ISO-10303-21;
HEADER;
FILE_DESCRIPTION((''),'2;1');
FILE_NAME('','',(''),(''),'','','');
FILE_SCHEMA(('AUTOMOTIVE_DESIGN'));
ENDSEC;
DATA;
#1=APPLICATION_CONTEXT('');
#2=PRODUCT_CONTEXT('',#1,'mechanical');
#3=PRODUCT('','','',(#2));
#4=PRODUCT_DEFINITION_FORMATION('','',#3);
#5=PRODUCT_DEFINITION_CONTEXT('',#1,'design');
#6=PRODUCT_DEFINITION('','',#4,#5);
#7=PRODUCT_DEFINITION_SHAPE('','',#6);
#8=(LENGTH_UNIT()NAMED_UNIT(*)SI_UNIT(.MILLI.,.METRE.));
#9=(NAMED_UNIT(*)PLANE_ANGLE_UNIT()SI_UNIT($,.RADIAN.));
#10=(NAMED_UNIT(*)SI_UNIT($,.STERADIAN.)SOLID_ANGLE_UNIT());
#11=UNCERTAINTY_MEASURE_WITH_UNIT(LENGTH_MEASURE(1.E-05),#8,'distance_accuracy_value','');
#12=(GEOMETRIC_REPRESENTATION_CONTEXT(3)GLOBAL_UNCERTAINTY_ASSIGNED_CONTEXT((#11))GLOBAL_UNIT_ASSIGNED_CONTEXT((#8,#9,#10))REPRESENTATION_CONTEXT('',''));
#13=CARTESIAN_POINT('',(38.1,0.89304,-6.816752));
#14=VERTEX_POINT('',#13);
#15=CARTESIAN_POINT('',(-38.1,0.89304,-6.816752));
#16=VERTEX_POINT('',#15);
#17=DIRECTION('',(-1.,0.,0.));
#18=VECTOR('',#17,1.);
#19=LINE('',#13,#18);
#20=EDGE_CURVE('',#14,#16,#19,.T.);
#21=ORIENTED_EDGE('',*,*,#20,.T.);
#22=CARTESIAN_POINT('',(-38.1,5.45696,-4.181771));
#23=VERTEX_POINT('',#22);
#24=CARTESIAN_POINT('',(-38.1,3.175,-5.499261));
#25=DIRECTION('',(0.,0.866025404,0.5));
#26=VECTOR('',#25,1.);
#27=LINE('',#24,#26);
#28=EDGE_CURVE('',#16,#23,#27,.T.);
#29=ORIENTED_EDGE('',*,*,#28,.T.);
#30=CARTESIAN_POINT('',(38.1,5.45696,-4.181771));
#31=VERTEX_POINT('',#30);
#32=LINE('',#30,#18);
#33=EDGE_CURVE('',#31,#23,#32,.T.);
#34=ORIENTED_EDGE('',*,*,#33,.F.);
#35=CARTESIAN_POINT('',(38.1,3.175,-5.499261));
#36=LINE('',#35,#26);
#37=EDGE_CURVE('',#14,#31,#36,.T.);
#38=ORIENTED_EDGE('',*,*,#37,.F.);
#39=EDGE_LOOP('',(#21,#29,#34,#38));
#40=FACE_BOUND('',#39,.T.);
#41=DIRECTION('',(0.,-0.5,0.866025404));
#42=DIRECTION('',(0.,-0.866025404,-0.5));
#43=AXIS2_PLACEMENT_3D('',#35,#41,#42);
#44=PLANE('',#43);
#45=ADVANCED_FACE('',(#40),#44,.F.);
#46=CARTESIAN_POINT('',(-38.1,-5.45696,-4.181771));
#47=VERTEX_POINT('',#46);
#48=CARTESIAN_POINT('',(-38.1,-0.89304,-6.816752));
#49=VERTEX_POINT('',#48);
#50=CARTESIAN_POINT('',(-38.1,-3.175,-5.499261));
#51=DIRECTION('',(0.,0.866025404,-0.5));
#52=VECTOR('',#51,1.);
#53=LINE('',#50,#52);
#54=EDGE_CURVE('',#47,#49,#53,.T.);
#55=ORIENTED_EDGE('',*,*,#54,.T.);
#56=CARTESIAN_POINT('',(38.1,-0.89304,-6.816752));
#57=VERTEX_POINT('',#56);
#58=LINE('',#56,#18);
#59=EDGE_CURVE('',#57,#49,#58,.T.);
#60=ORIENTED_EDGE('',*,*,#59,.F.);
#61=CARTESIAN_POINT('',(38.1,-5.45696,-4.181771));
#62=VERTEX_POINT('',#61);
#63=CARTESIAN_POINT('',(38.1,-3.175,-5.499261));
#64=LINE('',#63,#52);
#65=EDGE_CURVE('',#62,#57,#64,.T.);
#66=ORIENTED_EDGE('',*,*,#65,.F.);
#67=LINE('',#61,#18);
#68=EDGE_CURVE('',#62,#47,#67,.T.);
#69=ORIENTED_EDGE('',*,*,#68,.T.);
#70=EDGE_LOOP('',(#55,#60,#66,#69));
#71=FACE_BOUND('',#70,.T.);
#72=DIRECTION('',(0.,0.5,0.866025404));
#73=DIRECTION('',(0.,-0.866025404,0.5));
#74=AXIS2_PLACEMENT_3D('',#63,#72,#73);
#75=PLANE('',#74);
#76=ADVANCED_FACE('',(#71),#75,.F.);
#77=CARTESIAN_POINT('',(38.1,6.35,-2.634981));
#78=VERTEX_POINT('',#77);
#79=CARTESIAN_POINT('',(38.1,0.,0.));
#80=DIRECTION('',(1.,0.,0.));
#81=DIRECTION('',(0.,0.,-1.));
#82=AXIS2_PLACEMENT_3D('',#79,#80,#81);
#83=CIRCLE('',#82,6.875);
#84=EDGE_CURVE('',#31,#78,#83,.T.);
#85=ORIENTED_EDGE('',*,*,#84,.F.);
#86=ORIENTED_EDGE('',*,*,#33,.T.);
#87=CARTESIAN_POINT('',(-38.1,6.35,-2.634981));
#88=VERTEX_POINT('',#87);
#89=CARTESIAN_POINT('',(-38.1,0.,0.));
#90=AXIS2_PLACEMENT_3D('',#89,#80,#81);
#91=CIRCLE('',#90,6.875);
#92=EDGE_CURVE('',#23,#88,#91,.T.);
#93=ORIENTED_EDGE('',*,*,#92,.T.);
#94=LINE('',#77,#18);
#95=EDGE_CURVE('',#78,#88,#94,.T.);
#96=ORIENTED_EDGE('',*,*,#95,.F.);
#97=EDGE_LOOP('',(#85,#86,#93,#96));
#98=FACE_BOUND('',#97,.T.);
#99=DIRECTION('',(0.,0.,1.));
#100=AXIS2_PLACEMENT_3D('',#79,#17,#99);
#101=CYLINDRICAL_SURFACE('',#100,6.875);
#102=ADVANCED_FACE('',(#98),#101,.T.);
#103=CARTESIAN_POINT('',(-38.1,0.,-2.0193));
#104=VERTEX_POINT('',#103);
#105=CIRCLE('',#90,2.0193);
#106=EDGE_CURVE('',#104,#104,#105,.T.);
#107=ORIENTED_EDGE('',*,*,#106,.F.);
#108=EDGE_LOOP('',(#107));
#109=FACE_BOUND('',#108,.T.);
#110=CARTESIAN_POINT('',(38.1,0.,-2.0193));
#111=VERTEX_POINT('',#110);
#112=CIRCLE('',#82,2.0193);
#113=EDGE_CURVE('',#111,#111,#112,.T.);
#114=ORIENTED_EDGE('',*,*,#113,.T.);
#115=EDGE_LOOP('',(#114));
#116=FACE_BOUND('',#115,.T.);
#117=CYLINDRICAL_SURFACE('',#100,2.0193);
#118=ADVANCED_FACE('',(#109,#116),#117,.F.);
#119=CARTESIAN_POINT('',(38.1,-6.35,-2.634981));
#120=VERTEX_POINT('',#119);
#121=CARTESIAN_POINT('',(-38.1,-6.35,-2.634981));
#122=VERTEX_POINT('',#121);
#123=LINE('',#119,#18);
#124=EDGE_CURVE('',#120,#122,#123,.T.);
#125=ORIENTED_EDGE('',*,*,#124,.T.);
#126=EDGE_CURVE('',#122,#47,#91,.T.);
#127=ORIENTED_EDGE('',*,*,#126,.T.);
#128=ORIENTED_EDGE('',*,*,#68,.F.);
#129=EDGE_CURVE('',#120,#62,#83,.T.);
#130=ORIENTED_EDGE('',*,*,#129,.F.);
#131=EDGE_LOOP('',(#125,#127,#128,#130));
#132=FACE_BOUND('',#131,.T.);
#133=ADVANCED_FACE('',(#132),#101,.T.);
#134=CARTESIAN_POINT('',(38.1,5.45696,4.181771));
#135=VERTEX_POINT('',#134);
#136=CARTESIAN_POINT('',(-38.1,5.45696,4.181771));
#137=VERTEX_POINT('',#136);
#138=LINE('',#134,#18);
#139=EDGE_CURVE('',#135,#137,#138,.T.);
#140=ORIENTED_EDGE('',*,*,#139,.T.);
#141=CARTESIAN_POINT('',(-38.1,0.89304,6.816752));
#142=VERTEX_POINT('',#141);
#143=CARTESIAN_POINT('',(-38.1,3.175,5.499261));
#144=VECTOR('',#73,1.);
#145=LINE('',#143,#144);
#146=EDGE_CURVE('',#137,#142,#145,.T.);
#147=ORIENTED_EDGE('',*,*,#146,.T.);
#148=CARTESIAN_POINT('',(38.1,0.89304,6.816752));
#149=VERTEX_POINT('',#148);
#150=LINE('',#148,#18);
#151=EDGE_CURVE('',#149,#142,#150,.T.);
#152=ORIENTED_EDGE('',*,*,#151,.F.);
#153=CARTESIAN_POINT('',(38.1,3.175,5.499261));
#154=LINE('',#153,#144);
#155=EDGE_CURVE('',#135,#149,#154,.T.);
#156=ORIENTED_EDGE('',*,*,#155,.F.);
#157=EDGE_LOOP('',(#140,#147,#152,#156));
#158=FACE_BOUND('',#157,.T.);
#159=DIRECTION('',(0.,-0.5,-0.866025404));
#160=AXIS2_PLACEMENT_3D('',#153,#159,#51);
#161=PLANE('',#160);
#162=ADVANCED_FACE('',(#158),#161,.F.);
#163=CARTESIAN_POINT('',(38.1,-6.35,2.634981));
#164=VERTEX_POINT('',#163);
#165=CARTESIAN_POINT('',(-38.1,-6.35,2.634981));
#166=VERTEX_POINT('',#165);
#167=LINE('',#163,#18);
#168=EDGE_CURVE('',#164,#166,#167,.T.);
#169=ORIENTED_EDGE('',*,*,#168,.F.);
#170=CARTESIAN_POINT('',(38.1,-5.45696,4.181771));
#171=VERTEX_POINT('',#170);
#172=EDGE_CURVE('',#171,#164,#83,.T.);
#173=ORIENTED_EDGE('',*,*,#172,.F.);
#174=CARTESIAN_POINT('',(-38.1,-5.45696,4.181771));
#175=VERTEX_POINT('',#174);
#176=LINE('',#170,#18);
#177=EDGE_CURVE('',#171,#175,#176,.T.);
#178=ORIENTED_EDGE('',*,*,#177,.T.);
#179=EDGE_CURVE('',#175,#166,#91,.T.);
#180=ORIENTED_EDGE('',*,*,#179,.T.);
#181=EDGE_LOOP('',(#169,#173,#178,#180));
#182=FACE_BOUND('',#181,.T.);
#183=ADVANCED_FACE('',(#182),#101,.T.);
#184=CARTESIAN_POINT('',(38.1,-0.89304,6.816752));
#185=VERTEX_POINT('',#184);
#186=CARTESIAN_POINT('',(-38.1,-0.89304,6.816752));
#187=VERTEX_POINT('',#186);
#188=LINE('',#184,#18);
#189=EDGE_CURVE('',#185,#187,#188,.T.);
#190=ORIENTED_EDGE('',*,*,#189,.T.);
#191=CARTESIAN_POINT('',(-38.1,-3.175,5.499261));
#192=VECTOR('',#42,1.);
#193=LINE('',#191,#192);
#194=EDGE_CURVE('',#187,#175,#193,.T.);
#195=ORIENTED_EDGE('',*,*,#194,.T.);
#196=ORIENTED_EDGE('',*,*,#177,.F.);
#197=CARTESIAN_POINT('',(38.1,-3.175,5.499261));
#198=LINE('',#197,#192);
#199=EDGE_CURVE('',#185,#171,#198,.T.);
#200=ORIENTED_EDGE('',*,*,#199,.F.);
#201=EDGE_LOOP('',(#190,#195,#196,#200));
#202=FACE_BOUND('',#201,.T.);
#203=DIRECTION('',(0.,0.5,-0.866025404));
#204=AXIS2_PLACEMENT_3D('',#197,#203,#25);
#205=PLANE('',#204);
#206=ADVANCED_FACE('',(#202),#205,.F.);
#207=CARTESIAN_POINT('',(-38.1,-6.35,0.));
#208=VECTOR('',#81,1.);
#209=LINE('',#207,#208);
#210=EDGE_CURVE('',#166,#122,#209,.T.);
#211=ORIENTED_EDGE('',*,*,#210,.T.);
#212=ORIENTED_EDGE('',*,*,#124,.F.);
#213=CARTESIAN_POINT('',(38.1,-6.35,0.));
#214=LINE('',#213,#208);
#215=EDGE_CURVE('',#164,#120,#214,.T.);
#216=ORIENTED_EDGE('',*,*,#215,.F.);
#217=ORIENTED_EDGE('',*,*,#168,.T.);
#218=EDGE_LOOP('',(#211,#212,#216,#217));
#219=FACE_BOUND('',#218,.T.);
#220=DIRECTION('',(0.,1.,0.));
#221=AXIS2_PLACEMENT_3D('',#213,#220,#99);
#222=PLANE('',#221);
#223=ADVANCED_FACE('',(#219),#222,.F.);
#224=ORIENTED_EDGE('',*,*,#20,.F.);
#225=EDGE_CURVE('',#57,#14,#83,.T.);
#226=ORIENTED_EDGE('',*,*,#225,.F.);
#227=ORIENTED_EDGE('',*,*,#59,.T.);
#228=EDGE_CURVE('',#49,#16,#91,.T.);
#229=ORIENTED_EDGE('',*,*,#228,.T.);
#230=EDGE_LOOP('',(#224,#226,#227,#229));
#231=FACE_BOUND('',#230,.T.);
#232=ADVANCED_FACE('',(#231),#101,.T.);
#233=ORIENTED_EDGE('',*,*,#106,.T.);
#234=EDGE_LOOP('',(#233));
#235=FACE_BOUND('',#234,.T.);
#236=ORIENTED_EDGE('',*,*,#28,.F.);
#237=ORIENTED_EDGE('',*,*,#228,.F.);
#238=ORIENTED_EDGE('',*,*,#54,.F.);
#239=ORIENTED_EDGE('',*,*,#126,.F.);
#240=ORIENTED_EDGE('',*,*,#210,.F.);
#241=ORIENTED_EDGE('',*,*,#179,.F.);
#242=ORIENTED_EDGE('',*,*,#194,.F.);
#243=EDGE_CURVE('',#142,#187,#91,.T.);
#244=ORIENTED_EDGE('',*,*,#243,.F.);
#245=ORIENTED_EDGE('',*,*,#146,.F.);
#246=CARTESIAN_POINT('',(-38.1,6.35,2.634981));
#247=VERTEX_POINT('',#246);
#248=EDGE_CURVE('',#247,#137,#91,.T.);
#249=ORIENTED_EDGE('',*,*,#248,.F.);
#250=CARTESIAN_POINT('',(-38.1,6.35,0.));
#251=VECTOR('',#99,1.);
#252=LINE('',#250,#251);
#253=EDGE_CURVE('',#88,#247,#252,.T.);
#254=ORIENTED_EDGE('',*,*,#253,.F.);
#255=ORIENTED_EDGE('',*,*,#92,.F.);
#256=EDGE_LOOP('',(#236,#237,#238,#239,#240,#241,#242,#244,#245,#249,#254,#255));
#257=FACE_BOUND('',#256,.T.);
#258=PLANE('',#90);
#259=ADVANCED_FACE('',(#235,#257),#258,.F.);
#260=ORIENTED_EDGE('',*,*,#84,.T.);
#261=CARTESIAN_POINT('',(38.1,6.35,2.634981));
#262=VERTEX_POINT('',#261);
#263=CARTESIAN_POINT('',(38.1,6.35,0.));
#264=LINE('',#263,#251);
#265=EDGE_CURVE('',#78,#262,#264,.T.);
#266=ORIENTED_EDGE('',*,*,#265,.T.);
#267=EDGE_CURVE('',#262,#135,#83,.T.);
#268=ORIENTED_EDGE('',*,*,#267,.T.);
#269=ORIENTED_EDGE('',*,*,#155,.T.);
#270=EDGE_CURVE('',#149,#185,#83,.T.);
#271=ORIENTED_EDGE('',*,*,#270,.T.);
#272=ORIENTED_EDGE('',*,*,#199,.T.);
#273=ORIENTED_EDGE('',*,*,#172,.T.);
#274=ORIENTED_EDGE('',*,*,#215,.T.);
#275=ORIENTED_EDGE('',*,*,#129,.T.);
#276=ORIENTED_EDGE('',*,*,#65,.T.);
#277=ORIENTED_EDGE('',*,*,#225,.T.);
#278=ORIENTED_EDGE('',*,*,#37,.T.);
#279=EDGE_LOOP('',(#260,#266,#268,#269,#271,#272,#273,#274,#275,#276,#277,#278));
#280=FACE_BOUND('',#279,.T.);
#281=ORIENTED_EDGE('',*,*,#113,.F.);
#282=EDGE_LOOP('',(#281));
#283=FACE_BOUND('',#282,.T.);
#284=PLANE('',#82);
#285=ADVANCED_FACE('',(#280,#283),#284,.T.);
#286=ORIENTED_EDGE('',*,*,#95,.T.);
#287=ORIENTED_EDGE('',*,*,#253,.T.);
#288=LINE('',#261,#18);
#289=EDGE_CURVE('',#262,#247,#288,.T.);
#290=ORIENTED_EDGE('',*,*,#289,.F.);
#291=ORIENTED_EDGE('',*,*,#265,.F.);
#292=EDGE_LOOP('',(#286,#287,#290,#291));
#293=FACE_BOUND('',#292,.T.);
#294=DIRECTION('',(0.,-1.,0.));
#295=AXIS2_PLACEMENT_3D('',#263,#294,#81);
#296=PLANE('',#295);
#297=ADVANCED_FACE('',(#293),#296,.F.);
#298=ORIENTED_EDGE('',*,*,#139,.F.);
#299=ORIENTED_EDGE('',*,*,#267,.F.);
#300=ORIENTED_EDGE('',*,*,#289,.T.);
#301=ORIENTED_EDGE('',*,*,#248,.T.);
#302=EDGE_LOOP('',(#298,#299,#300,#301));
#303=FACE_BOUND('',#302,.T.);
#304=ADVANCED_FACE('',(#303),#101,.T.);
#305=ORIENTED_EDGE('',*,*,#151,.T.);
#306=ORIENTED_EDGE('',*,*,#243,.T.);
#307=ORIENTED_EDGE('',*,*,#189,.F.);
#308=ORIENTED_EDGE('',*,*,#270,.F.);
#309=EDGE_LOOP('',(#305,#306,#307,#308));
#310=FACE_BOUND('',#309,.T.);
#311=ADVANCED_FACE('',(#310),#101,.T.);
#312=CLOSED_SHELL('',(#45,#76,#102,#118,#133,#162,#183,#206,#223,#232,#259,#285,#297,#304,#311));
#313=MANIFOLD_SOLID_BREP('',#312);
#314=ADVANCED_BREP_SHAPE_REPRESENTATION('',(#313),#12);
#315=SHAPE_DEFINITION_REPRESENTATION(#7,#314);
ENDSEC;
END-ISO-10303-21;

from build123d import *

# Parameters (mm, degrees)
SKETCH1_R           = 2.0193
BOSS_EXTRUDE1_DEPTH = 38.1


with BuildPart() as part:
    # Sketch1 → Boss-Extrude1 (new, symmetric)
    with BuildSketch(Plane(origin=(0, 0, 0), x_dir=(0, 0, -1), z_dir=(1, 0, 0))):
        with BuildLine():
            ThreePointArc((6.874999966, 0), (6.860422465, 0.447468582), (6.816751782, 0.893039571))
            Line((6.816751782, 0.893039571), (4.181770846, 5.456960429))
            ThreePointArc((4.181770846, 5.456960429), (3.437499983, 5.953924622), (2.634980936, 6.35))
            Line((2.634980936, 6.35), (-2.634980936, 6.35))
            ThreePointArc((-2.634980936, 6.35), (-3.437499983, 5.953924622), (-4.181770846, 5.456960429))
            Line((-4.181770846, 5.456960429), (-6.816751782, 0.893039571))
            ThreePointArc((-6.816751782, 0.893039571), (-6.874999966, 0), (-6.816751782, -0.893039571))
            Line((-6.816751782, -0.893039571), (-4.181770846, -5.456960429))
            ThreePointArc((-4.181770846, -5.456960429), (-3.437499983, -5.953924622), (-2.634980936, -6.35))
            Line((-2.634980936, -6.35), (2.634980936, -6.35))
            ThreePointArc((2.634980936, -6.35), (3.437499983, -5.953924622), (4.181770846, -5.456960429))
            Line((4.181770846, -5.456960429), (6.816751782, -0.893039571))
            ThreePointArc((6.816751782, -0.893039571), (6.860422465, -0.447468582), (6.874999966, 0))
        make_face()
        Circle(SKETCH1_R, mode=Mode.SUBTRACT)
    extrude(amount=BOSS_EXTRUDE1_DEPTH, both=True)


solid = part.part
